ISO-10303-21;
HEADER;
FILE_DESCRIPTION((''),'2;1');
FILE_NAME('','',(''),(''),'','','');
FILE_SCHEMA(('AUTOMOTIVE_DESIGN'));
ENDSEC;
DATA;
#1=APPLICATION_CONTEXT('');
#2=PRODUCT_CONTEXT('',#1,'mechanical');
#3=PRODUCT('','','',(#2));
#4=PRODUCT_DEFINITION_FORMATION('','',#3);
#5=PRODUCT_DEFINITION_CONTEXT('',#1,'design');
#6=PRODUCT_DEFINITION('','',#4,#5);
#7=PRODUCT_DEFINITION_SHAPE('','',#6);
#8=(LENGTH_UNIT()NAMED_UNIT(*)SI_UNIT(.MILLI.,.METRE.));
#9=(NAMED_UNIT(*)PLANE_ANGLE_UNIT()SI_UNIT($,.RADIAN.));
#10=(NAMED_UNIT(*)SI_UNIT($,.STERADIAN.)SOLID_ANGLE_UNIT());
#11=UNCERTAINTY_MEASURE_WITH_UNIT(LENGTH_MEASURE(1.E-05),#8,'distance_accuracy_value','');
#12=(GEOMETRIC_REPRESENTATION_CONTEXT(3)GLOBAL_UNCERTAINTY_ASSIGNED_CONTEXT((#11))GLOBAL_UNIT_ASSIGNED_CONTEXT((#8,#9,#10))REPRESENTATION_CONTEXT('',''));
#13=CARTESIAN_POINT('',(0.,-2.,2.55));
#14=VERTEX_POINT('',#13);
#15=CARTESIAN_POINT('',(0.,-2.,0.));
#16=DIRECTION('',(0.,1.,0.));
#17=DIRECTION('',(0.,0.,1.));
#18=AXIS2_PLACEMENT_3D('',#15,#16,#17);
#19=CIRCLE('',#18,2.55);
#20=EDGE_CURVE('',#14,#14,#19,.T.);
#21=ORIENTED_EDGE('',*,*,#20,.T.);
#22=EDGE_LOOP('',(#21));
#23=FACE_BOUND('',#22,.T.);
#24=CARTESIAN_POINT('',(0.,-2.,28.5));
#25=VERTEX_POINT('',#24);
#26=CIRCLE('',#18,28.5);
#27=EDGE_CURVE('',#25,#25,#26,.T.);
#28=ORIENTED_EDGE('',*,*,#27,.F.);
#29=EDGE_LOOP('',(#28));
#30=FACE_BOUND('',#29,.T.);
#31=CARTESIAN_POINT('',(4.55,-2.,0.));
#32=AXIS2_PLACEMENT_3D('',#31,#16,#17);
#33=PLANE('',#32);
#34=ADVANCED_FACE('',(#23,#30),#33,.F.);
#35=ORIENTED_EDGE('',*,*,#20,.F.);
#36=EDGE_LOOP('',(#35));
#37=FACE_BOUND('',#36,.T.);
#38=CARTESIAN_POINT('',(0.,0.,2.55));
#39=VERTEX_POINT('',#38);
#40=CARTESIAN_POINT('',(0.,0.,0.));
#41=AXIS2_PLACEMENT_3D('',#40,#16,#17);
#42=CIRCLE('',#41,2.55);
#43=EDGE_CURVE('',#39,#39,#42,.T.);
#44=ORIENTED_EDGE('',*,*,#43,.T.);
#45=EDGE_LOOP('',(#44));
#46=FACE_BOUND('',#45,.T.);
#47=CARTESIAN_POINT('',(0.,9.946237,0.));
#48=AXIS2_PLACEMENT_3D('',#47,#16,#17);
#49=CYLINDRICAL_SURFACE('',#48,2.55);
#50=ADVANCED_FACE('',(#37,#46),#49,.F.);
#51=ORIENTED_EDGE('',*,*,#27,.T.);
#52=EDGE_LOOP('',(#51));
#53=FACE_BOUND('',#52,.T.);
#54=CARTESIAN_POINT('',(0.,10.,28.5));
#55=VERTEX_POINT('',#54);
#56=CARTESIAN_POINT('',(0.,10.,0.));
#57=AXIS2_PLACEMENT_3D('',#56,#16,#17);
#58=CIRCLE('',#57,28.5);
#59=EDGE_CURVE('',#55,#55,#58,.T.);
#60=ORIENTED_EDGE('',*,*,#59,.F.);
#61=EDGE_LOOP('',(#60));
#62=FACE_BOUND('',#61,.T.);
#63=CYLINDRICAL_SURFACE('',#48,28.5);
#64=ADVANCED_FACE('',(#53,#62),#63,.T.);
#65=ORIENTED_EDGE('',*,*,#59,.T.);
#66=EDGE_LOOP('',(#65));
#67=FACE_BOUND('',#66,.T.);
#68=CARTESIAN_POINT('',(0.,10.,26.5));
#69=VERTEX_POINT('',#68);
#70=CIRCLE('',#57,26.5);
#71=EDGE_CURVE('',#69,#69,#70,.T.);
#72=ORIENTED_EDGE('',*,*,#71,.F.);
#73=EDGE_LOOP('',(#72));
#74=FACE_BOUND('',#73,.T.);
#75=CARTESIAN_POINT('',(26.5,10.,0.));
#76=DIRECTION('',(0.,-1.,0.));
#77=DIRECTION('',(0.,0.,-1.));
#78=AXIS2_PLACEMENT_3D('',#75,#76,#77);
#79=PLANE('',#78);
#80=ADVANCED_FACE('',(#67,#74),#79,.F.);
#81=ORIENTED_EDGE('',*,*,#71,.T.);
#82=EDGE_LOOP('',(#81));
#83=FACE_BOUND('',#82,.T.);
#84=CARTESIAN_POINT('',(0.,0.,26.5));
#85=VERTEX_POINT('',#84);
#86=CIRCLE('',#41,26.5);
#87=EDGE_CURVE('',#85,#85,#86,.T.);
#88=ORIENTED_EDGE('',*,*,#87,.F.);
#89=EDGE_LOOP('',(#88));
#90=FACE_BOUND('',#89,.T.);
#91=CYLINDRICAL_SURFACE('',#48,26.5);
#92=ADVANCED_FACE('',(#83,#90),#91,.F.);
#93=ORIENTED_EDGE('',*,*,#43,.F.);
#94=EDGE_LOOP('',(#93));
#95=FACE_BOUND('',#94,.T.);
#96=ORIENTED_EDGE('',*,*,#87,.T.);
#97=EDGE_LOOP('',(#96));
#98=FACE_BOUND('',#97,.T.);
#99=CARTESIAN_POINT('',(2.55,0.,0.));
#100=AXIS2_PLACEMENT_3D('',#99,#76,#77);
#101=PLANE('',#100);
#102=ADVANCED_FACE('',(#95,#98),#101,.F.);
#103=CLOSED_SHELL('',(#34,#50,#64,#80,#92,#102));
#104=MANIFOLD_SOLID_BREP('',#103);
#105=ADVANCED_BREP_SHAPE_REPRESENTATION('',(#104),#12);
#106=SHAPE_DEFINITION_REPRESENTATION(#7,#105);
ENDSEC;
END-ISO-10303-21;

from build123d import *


with BuildPart() as part:
    # 草图1 → 旋转1 (revolve)
    with BuildSketch(Plane.XY, mode=Mode.PRIVATE) as revolve_1_sk:
        Polygon((2.55, 0), (26.5, 0), (26.5, 10), (28.5, 10), (28.5, -2), (4.55, -2), (2.55, -2), align=None)
    revolve(revolve_1_sk.sketch.rotate(Axis((0, 9.946236559, 0), (0, -1, 0)), 90), axis=Axis((0, 9.946236559, 0), (0, -1, 0)))


solid = part.part
